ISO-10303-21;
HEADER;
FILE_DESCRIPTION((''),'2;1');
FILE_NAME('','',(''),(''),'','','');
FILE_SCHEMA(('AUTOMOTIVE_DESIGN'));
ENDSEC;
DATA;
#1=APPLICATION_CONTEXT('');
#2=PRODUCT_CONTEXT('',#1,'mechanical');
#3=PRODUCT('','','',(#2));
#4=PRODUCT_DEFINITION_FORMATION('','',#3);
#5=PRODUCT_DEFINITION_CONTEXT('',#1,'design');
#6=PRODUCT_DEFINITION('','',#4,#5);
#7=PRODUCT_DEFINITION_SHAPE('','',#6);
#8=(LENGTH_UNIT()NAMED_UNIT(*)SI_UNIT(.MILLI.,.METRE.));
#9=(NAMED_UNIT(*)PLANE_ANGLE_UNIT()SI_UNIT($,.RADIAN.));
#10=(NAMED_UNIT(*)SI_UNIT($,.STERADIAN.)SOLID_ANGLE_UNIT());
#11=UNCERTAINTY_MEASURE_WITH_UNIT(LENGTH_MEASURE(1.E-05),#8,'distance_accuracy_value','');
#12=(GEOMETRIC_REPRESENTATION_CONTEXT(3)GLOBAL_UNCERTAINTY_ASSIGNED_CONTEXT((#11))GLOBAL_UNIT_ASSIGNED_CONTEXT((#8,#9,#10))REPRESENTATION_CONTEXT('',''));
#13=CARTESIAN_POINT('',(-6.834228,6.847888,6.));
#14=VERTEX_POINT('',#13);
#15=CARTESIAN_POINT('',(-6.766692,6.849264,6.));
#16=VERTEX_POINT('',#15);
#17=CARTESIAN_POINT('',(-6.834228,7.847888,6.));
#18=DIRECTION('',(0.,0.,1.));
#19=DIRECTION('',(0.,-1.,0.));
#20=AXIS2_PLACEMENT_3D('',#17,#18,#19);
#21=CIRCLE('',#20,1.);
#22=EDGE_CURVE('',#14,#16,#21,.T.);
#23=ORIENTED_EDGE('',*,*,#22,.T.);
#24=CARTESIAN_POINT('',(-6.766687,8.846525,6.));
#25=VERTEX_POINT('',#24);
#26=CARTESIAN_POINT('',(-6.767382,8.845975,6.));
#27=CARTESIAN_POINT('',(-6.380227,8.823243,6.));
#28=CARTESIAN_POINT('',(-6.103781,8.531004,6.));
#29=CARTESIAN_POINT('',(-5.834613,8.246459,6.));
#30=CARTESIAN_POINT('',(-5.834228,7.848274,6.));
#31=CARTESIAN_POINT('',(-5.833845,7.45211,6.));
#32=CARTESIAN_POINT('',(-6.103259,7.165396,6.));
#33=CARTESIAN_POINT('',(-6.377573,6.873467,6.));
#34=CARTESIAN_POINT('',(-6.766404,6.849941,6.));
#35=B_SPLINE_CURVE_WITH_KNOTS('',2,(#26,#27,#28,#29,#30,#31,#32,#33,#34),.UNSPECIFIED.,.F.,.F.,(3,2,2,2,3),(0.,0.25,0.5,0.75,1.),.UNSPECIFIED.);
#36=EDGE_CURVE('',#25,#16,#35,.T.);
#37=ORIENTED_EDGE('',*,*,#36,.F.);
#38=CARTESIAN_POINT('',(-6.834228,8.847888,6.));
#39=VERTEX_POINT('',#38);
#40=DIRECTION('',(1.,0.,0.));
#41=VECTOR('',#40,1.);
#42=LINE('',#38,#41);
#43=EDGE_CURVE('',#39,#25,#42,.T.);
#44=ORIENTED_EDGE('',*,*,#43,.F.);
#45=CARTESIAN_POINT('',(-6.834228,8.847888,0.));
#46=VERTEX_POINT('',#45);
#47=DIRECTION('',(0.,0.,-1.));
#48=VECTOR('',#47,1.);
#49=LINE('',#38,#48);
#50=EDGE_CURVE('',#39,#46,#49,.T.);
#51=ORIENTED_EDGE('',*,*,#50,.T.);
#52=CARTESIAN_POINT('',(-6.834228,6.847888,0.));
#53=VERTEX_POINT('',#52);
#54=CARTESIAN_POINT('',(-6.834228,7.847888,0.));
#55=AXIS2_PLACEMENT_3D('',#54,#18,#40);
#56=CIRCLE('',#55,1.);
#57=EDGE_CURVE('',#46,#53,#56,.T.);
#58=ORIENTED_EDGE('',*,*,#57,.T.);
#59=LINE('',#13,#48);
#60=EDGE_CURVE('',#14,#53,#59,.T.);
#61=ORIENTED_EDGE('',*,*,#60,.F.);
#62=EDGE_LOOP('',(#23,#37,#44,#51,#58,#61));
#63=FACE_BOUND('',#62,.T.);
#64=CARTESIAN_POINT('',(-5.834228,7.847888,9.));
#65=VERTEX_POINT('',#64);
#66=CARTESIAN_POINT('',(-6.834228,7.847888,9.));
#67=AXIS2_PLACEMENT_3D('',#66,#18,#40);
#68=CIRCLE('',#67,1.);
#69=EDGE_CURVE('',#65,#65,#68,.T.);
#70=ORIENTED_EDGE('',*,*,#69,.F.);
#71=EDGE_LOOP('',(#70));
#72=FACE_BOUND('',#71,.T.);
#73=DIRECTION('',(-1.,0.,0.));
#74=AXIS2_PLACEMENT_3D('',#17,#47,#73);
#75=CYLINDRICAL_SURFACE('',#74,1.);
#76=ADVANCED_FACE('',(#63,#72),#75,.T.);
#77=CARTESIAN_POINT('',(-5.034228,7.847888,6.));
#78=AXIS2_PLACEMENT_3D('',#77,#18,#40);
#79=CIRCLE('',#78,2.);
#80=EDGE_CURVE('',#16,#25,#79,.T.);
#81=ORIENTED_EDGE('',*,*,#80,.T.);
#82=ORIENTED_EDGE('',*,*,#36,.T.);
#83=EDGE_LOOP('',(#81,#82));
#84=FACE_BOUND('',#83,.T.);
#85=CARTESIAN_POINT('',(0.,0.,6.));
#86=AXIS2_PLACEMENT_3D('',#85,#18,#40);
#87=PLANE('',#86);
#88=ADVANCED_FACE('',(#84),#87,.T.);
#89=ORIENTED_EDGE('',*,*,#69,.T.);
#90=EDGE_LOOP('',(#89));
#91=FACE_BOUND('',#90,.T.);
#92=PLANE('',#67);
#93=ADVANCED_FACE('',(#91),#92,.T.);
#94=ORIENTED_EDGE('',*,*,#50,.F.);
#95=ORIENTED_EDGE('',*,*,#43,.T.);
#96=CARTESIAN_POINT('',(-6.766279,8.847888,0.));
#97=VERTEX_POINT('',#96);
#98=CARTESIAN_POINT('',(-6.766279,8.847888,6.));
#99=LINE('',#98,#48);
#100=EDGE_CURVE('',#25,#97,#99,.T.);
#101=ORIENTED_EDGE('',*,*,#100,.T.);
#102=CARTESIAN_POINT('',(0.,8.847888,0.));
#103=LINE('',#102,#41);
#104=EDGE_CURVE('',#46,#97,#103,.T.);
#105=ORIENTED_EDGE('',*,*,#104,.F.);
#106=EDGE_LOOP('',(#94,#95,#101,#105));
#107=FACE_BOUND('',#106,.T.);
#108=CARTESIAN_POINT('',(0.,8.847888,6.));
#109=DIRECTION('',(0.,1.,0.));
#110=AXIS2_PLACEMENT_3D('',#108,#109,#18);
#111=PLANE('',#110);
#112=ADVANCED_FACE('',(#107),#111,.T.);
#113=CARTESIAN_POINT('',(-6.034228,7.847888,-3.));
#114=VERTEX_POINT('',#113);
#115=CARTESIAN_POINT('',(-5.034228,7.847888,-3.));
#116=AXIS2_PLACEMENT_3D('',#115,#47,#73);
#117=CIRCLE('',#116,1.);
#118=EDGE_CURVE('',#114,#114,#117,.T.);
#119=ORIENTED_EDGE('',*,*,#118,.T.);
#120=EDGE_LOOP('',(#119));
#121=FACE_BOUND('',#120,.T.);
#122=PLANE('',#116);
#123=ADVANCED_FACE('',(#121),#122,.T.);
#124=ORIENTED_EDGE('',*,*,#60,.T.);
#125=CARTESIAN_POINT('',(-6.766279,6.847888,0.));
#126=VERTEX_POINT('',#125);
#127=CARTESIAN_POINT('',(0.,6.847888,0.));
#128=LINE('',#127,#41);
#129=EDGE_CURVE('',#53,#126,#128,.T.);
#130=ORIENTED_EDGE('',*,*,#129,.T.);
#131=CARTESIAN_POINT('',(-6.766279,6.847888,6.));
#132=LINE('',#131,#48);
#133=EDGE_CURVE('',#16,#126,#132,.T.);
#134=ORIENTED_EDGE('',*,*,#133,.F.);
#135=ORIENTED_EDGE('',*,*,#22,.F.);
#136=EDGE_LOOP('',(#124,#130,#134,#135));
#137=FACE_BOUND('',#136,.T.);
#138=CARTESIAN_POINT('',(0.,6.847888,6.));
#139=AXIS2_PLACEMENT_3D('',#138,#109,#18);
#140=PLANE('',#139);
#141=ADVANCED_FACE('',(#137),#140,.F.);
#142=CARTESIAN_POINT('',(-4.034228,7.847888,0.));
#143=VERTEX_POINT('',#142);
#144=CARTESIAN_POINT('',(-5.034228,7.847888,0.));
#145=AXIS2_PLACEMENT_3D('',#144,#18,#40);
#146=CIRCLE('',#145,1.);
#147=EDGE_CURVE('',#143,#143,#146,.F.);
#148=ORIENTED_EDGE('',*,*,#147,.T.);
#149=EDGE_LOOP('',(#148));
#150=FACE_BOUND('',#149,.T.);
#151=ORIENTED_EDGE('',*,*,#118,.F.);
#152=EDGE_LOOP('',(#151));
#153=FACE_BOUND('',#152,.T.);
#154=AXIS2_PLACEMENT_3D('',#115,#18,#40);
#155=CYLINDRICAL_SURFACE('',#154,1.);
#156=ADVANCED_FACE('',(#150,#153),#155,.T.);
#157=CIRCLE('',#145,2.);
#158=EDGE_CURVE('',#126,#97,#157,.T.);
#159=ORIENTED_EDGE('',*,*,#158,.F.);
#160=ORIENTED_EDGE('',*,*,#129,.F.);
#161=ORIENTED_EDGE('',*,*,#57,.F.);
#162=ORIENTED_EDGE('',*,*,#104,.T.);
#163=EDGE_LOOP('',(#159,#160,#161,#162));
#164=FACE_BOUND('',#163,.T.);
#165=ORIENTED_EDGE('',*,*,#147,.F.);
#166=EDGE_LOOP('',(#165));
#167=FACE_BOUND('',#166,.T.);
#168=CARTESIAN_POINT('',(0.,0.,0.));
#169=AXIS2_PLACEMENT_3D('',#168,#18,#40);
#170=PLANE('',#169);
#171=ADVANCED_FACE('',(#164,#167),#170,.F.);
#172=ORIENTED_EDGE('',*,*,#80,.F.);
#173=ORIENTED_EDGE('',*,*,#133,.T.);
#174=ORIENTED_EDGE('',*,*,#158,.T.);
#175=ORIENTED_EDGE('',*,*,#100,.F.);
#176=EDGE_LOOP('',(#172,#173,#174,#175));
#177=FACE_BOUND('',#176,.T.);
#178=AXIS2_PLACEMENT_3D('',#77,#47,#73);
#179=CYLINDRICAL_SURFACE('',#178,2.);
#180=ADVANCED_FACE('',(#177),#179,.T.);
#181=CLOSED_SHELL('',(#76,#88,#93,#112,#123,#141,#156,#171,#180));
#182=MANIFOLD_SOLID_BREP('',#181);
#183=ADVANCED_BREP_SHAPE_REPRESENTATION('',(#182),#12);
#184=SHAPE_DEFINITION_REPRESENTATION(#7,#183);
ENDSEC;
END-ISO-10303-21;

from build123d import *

# Parameters (mm, degrees)
BOSS_EXTRUDE1_DEPTH = 6
SKETCH2_R           = 1
BOSS_EXTRUDE2_DEPTH = 3
SKETCH3_R           = 1
BOSS_EXTRUDE3_DEPTH = 3


with BuildPart() as part:
    # Sketch1 → Boss-Extrude1 (new body)
    with BuildSketch(Plane.XY):
        with BuildLine():
            Line((-6.834228044, 8.847888353), (-6.766278852, 8.847888353))
            ThreePointArc((-6.766278852, 8.847888353), (-3.034228044, 7.847888353), (-6.766278852, 6.847888353))
            Line((-6.766278852, 6.847888353), (-6.834228044, 6.847888353))
            ThreePointArc((-6.834228044, 6.847888353), (-7.834228044, 7.847888353), (-6.834228044, 8.847888353))
        make_face()
    extrude(amount=BOSS_EXTRUDE1_DEPTH)

    # Sketch2 → Boss-Extrude2 (add)
    with BuildSketch(Plane.XY.offset(6)):
        with Locations(Location((-6.834228044, 7.847888353, 0), (0, 0, 270))):
            Circle(SKETCH2_R)
    extrude(amount=BOSS_EXTRUDE2_DEPTH)

    # Sketch3 → Boss-Extrude3 (add)
    with BuildSketch(Plane(origin=(0, 0, 0), x_dir=(-1, 0, 0), z_dir=(0, 0, -1))):
        with Locations(Location((5.034228044, 7.847888353, 0), (0, 0, 180))):
            Circle(SKETCH3_R)
    extrude(amount=BOSS_EXTRUDE3_DEPTH)


solid = part.part
